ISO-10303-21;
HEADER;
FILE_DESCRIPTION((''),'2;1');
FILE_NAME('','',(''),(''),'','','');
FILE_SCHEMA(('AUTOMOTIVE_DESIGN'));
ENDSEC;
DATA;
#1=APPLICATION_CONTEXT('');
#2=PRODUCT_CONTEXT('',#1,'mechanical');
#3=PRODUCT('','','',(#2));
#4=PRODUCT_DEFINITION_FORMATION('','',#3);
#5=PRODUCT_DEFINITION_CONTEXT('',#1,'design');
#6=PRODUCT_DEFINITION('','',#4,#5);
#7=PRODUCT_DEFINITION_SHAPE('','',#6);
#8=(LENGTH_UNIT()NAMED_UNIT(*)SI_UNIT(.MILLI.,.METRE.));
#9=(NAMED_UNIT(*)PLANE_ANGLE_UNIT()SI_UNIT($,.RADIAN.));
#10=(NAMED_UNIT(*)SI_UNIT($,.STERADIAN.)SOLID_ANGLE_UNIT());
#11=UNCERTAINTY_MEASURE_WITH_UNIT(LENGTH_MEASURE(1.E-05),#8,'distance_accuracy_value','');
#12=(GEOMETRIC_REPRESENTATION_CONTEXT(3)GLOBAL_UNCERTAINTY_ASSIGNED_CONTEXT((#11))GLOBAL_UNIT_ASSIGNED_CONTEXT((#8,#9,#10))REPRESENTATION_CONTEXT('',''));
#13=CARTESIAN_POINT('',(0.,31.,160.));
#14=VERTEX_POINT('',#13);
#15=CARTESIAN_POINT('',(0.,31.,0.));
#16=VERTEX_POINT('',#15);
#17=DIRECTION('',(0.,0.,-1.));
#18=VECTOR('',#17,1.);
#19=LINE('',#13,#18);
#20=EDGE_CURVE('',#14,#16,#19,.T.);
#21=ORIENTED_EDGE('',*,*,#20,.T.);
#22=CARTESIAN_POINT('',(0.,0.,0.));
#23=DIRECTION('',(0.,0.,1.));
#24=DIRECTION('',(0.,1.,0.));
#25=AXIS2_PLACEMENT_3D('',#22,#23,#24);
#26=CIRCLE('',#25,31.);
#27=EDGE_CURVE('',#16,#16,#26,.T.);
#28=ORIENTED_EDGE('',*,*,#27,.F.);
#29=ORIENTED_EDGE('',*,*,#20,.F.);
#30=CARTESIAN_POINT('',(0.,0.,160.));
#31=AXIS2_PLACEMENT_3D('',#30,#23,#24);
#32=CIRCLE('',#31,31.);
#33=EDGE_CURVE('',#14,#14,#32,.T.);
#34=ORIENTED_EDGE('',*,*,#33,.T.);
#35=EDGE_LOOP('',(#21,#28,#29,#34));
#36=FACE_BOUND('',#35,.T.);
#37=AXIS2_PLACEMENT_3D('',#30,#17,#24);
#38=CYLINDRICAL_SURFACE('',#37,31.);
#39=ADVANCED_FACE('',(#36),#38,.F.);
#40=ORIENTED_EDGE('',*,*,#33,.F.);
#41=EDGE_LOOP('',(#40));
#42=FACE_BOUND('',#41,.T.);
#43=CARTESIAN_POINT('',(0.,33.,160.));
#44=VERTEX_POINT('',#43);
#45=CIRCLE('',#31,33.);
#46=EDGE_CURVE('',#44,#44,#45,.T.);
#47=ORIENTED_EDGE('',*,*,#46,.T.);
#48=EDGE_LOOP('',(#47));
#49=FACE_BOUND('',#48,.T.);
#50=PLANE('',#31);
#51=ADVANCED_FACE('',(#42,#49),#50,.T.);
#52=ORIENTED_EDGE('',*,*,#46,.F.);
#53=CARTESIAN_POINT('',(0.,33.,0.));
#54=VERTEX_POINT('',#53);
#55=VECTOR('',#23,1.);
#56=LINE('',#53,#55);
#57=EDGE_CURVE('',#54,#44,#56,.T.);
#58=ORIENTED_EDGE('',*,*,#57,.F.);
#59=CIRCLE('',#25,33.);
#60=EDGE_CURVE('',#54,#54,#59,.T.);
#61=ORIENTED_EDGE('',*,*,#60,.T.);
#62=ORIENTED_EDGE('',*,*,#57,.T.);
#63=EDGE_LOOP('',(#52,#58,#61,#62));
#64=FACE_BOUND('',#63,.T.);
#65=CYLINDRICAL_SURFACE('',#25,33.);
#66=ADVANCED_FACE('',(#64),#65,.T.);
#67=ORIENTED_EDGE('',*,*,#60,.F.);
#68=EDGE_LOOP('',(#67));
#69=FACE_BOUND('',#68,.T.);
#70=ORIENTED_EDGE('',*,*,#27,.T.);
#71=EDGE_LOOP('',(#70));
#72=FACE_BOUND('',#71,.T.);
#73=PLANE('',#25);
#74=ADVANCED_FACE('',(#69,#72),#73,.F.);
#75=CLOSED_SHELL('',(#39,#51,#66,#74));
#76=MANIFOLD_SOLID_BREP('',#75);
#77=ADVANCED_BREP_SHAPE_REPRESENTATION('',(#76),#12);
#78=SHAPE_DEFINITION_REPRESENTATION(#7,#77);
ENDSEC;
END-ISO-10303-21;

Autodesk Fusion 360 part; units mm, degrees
sketch "Sketch1" plane through (0, 0, 0) normal (1, 0, 0) x (0, 1, 0)
  line L0 (33, 0) -> (33, 160)
  line L1 (33, 160) -> (31, 160)
  line L2 (31, 160) -> (31, 0)
  line L3 (31, 0) -> (33, 0)
  dimension "d1" = 33
  dimension "d2" = 160
  dimension "d3" = 2
revolve "Revolve1" add sketch "Sketch1" angle 360 about axis through (0, 0, 1.75) along (0, 0, 1)
